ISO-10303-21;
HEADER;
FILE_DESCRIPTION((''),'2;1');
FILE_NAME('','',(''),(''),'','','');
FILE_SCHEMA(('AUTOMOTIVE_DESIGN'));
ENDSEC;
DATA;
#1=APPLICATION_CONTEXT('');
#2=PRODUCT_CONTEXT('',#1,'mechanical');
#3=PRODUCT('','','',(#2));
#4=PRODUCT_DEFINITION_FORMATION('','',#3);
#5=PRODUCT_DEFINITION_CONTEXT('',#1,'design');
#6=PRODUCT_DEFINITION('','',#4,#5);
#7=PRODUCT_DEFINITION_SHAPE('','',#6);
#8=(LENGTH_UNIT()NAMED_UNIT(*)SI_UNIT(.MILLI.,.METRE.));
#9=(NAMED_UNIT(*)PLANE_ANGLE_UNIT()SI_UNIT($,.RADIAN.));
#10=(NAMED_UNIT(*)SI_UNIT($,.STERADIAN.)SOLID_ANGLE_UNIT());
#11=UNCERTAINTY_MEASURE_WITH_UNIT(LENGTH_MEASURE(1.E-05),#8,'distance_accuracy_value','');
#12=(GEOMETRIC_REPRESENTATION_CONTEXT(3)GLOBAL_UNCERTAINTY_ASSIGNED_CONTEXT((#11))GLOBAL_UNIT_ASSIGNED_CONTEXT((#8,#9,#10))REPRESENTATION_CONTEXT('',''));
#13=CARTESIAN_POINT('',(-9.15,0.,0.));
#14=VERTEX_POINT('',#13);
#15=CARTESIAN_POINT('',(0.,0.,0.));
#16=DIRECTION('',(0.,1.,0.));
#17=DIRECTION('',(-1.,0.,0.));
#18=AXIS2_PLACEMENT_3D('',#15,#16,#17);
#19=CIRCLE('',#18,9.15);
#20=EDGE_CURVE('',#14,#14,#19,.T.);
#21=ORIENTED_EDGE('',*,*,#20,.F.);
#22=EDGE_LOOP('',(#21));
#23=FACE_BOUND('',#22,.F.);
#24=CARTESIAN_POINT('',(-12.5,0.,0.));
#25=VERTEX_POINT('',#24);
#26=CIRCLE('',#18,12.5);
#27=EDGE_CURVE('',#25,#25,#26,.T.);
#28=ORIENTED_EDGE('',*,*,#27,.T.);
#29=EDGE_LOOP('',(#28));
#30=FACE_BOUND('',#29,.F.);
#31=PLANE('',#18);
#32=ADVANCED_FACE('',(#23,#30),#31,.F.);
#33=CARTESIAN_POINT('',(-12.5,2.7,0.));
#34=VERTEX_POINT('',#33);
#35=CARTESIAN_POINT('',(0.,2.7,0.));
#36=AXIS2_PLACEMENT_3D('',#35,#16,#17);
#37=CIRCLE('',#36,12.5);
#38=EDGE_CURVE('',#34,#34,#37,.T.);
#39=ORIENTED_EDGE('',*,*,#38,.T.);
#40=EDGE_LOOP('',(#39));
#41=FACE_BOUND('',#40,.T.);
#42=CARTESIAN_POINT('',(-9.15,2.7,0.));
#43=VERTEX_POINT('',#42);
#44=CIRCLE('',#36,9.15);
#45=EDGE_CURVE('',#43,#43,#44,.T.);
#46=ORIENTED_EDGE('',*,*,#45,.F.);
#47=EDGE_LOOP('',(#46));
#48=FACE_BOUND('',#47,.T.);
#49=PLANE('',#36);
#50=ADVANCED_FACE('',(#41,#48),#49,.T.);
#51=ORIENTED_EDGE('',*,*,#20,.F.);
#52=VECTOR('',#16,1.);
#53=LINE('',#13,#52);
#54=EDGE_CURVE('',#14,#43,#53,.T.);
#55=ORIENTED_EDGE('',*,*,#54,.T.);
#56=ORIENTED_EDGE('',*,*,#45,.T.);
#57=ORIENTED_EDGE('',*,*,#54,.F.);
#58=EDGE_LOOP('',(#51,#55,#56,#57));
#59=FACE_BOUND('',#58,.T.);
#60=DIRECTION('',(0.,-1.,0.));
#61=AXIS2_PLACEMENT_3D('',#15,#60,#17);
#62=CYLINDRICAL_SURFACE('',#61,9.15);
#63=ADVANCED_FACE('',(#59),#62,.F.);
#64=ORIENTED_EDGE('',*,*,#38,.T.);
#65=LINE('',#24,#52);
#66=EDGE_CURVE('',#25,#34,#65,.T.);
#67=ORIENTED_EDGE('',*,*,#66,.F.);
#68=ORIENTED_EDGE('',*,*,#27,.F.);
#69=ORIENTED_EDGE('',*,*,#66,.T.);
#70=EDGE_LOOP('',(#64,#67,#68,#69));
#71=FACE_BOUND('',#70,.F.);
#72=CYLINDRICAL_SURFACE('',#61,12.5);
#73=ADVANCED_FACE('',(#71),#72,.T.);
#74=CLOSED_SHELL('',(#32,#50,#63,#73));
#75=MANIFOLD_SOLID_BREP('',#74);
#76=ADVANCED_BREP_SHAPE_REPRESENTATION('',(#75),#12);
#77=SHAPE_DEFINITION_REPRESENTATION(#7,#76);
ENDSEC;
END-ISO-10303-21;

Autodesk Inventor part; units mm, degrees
ref_plane "YZ Plane" through (0, 0, 0) normal (1, 0, 0) x (0, 1, 0)
ref_plane "XZ Plane" through (0, 0, 0) normal (0, 1, 0) x (-1, 0, 0)
ref_plane "XY Plane" through (0, 0, 0) normal (0, 0, 1) x (1, 0, 0)
sketch "Sketch1" plane through (0, 0, 0) normal (0, 1, 0) x (-1, 0, 0)
  circle A0 centre (0, 0) radius 9.15
  circle A1 centre (0, 0) radius 12.5
  dimension "d0" = 18.3
  dimension "d1" = 25
extrude "Extrusion1" add sketch "Sketch1" along normal blind 2.7
properties part number "Skive_stempel_stang" material "Polypropylene"
